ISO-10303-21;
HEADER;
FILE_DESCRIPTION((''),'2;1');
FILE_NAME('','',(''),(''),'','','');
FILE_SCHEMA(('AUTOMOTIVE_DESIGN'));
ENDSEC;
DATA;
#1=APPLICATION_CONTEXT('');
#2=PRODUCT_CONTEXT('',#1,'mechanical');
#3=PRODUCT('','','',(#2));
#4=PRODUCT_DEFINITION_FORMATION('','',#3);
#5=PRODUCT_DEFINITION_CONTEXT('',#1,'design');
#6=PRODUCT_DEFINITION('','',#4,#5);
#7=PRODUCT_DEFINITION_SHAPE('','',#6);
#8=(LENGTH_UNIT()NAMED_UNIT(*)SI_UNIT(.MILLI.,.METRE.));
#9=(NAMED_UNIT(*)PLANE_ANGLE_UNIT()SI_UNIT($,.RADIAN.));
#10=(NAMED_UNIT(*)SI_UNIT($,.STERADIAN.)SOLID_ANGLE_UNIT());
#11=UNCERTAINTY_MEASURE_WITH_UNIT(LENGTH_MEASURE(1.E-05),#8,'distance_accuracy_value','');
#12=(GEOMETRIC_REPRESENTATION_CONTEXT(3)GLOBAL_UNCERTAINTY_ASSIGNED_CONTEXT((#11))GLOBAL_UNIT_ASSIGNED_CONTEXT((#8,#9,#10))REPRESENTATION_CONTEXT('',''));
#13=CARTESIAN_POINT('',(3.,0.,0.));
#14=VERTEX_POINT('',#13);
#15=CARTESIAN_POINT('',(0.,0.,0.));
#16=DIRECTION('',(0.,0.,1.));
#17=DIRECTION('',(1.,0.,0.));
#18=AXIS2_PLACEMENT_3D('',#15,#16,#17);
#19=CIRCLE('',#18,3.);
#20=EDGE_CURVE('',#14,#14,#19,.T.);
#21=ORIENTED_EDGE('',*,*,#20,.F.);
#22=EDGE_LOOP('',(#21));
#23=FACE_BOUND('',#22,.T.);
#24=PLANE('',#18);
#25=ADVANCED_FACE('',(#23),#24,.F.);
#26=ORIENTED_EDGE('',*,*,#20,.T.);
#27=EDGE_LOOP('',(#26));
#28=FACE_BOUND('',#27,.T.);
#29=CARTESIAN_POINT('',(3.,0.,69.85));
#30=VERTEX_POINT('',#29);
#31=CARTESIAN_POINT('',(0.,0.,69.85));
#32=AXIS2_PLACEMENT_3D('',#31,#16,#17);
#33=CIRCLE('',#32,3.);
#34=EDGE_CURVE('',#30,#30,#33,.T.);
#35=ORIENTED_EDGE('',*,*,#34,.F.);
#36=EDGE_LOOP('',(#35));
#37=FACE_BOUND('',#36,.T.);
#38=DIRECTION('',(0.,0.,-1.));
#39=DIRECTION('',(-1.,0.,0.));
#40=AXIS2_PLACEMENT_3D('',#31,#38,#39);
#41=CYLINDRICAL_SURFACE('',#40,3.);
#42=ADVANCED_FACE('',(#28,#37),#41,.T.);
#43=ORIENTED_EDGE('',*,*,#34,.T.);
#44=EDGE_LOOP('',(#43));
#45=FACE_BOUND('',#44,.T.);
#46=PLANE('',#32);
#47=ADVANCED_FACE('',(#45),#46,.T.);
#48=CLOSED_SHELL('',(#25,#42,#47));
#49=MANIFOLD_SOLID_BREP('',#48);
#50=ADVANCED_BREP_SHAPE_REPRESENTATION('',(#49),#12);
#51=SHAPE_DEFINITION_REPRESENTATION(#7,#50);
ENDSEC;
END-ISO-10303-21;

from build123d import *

# Parameters (mm, degrees)
ESQUISSE1_R        = 3
BOSS_EXTRU_1_DEPTH = 69.85


with BuildPart() as part:
    # Esquisse1 → Boss.-Extru.1 (new body)
    with BuildSketch(Plane.XY):
        Circle(ESQUISSE1_R)
    extrude(amount=BOSS_EXTRU_1_DEPTH)


solid = part.part
